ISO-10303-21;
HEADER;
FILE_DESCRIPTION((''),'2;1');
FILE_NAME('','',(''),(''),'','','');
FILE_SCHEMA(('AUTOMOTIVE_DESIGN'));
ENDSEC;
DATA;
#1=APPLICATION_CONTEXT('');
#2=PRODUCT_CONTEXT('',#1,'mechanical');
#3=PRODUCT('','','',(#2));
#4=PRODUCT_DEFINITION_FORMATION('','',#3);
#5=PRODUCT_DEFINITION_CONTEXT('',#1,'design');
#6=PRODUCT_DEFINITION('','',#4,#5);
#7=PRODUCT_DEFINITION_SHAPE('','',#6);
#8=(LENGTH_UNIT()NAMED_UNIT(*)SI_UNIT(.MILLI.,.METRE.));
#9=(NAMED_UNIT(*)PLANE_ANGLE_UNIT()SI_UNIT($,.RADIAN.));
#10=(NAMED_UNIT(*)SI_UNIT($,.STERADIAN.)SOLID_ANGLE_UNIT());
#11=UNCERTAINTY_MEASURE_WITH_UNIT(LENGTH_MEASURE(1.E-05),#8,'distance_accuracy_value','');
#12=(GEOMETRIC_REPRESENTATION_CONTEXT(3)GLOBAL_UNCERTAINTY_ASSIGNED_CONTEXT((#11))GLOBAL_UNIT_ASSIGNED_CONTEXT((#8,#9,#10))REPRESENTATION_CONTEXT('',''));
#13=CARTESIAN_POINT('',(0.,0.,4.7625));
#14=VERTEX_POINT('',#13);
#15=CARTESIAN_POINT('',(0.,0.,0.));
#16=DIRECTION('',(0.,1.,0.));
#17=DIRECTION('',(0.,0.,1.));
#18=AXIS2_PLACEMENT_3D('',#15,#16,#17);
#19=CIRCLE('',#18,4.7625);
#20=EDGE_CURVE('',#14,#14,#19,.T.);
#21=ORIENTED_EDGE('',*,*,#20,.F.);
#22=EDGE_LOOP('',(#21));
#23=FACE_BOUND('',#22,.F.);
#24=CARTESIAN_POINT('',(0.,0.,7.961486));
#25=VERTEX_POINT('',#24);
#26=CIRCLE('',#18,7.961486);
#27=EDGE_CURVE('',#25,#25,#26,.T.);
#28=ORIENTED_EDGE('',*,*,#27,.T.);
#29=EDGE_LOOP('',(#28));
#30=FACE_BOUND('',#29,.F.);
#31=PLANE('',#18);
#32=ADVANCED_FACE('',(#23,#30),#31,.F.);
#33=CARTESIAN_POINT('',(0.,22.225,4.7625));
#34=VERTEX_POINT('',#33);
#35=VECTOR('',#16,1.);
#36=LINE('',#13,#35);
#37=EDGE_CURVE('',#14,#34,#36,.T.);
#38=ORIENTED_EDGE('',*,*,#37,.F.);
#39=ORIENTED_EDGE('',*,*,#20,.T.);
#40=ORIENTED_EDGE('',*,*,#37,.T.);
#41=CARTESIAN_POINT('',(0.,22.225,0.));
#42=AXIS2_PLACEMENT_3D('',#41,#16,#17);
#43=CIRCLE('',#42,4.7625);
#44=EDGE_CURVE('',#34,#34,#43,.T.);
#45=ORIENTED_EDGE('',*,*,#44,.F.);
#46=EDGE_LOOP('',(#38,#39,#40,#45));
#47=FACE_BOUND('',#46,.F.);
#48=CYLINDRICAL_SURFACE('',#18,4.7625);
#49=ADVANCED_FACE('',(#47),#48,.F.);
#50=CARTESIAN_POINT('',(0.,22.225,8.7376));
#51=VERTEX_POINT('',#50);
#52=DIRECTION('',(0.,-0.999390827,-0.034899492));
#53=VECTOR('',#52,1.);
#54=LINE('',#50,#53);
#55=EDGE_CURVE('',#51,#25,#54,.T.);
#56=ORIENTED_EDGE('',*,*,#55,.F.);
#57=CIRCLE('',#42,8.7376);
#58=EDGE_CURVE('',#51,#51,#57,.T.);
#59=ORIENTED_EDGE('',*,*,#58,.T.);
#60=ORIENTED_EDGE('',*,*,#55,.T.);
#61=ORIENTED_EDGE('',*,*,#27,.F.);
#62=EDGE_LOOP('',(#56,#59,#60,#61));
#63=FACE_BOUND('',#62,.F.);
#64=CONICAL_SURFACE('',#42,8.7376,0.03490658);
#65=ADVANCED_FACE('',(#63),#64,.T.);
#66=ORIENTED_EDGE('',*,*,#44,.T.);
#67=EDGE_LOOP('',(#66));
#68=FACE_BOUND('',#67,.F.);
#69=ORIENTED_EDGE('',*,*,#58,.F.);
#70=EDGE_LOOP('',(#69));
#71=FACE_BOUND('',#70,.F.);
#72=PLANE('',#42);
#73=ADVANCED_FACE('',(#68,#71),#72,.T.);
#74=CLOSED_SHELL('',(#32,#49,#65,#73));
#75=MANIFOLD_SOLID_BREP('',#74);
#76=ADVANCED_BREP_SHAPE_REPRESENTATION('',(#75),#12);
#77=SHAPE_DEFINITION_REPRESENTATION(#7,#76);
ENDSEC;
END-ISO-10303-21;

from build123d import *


with BuildPart() as f1:
    # F0 (on Right) → F1 (revolve)
    with BuildSketch(Plane.YZ):
        Polygon((0, 7.961486), (0, 4.7625), (22.225, 4.7625), (22.225, 8.7376), align=None)
    revolve(axis=Axis((0, 85.839292, 0), (0, 1, 0)))


solid = f1.part
